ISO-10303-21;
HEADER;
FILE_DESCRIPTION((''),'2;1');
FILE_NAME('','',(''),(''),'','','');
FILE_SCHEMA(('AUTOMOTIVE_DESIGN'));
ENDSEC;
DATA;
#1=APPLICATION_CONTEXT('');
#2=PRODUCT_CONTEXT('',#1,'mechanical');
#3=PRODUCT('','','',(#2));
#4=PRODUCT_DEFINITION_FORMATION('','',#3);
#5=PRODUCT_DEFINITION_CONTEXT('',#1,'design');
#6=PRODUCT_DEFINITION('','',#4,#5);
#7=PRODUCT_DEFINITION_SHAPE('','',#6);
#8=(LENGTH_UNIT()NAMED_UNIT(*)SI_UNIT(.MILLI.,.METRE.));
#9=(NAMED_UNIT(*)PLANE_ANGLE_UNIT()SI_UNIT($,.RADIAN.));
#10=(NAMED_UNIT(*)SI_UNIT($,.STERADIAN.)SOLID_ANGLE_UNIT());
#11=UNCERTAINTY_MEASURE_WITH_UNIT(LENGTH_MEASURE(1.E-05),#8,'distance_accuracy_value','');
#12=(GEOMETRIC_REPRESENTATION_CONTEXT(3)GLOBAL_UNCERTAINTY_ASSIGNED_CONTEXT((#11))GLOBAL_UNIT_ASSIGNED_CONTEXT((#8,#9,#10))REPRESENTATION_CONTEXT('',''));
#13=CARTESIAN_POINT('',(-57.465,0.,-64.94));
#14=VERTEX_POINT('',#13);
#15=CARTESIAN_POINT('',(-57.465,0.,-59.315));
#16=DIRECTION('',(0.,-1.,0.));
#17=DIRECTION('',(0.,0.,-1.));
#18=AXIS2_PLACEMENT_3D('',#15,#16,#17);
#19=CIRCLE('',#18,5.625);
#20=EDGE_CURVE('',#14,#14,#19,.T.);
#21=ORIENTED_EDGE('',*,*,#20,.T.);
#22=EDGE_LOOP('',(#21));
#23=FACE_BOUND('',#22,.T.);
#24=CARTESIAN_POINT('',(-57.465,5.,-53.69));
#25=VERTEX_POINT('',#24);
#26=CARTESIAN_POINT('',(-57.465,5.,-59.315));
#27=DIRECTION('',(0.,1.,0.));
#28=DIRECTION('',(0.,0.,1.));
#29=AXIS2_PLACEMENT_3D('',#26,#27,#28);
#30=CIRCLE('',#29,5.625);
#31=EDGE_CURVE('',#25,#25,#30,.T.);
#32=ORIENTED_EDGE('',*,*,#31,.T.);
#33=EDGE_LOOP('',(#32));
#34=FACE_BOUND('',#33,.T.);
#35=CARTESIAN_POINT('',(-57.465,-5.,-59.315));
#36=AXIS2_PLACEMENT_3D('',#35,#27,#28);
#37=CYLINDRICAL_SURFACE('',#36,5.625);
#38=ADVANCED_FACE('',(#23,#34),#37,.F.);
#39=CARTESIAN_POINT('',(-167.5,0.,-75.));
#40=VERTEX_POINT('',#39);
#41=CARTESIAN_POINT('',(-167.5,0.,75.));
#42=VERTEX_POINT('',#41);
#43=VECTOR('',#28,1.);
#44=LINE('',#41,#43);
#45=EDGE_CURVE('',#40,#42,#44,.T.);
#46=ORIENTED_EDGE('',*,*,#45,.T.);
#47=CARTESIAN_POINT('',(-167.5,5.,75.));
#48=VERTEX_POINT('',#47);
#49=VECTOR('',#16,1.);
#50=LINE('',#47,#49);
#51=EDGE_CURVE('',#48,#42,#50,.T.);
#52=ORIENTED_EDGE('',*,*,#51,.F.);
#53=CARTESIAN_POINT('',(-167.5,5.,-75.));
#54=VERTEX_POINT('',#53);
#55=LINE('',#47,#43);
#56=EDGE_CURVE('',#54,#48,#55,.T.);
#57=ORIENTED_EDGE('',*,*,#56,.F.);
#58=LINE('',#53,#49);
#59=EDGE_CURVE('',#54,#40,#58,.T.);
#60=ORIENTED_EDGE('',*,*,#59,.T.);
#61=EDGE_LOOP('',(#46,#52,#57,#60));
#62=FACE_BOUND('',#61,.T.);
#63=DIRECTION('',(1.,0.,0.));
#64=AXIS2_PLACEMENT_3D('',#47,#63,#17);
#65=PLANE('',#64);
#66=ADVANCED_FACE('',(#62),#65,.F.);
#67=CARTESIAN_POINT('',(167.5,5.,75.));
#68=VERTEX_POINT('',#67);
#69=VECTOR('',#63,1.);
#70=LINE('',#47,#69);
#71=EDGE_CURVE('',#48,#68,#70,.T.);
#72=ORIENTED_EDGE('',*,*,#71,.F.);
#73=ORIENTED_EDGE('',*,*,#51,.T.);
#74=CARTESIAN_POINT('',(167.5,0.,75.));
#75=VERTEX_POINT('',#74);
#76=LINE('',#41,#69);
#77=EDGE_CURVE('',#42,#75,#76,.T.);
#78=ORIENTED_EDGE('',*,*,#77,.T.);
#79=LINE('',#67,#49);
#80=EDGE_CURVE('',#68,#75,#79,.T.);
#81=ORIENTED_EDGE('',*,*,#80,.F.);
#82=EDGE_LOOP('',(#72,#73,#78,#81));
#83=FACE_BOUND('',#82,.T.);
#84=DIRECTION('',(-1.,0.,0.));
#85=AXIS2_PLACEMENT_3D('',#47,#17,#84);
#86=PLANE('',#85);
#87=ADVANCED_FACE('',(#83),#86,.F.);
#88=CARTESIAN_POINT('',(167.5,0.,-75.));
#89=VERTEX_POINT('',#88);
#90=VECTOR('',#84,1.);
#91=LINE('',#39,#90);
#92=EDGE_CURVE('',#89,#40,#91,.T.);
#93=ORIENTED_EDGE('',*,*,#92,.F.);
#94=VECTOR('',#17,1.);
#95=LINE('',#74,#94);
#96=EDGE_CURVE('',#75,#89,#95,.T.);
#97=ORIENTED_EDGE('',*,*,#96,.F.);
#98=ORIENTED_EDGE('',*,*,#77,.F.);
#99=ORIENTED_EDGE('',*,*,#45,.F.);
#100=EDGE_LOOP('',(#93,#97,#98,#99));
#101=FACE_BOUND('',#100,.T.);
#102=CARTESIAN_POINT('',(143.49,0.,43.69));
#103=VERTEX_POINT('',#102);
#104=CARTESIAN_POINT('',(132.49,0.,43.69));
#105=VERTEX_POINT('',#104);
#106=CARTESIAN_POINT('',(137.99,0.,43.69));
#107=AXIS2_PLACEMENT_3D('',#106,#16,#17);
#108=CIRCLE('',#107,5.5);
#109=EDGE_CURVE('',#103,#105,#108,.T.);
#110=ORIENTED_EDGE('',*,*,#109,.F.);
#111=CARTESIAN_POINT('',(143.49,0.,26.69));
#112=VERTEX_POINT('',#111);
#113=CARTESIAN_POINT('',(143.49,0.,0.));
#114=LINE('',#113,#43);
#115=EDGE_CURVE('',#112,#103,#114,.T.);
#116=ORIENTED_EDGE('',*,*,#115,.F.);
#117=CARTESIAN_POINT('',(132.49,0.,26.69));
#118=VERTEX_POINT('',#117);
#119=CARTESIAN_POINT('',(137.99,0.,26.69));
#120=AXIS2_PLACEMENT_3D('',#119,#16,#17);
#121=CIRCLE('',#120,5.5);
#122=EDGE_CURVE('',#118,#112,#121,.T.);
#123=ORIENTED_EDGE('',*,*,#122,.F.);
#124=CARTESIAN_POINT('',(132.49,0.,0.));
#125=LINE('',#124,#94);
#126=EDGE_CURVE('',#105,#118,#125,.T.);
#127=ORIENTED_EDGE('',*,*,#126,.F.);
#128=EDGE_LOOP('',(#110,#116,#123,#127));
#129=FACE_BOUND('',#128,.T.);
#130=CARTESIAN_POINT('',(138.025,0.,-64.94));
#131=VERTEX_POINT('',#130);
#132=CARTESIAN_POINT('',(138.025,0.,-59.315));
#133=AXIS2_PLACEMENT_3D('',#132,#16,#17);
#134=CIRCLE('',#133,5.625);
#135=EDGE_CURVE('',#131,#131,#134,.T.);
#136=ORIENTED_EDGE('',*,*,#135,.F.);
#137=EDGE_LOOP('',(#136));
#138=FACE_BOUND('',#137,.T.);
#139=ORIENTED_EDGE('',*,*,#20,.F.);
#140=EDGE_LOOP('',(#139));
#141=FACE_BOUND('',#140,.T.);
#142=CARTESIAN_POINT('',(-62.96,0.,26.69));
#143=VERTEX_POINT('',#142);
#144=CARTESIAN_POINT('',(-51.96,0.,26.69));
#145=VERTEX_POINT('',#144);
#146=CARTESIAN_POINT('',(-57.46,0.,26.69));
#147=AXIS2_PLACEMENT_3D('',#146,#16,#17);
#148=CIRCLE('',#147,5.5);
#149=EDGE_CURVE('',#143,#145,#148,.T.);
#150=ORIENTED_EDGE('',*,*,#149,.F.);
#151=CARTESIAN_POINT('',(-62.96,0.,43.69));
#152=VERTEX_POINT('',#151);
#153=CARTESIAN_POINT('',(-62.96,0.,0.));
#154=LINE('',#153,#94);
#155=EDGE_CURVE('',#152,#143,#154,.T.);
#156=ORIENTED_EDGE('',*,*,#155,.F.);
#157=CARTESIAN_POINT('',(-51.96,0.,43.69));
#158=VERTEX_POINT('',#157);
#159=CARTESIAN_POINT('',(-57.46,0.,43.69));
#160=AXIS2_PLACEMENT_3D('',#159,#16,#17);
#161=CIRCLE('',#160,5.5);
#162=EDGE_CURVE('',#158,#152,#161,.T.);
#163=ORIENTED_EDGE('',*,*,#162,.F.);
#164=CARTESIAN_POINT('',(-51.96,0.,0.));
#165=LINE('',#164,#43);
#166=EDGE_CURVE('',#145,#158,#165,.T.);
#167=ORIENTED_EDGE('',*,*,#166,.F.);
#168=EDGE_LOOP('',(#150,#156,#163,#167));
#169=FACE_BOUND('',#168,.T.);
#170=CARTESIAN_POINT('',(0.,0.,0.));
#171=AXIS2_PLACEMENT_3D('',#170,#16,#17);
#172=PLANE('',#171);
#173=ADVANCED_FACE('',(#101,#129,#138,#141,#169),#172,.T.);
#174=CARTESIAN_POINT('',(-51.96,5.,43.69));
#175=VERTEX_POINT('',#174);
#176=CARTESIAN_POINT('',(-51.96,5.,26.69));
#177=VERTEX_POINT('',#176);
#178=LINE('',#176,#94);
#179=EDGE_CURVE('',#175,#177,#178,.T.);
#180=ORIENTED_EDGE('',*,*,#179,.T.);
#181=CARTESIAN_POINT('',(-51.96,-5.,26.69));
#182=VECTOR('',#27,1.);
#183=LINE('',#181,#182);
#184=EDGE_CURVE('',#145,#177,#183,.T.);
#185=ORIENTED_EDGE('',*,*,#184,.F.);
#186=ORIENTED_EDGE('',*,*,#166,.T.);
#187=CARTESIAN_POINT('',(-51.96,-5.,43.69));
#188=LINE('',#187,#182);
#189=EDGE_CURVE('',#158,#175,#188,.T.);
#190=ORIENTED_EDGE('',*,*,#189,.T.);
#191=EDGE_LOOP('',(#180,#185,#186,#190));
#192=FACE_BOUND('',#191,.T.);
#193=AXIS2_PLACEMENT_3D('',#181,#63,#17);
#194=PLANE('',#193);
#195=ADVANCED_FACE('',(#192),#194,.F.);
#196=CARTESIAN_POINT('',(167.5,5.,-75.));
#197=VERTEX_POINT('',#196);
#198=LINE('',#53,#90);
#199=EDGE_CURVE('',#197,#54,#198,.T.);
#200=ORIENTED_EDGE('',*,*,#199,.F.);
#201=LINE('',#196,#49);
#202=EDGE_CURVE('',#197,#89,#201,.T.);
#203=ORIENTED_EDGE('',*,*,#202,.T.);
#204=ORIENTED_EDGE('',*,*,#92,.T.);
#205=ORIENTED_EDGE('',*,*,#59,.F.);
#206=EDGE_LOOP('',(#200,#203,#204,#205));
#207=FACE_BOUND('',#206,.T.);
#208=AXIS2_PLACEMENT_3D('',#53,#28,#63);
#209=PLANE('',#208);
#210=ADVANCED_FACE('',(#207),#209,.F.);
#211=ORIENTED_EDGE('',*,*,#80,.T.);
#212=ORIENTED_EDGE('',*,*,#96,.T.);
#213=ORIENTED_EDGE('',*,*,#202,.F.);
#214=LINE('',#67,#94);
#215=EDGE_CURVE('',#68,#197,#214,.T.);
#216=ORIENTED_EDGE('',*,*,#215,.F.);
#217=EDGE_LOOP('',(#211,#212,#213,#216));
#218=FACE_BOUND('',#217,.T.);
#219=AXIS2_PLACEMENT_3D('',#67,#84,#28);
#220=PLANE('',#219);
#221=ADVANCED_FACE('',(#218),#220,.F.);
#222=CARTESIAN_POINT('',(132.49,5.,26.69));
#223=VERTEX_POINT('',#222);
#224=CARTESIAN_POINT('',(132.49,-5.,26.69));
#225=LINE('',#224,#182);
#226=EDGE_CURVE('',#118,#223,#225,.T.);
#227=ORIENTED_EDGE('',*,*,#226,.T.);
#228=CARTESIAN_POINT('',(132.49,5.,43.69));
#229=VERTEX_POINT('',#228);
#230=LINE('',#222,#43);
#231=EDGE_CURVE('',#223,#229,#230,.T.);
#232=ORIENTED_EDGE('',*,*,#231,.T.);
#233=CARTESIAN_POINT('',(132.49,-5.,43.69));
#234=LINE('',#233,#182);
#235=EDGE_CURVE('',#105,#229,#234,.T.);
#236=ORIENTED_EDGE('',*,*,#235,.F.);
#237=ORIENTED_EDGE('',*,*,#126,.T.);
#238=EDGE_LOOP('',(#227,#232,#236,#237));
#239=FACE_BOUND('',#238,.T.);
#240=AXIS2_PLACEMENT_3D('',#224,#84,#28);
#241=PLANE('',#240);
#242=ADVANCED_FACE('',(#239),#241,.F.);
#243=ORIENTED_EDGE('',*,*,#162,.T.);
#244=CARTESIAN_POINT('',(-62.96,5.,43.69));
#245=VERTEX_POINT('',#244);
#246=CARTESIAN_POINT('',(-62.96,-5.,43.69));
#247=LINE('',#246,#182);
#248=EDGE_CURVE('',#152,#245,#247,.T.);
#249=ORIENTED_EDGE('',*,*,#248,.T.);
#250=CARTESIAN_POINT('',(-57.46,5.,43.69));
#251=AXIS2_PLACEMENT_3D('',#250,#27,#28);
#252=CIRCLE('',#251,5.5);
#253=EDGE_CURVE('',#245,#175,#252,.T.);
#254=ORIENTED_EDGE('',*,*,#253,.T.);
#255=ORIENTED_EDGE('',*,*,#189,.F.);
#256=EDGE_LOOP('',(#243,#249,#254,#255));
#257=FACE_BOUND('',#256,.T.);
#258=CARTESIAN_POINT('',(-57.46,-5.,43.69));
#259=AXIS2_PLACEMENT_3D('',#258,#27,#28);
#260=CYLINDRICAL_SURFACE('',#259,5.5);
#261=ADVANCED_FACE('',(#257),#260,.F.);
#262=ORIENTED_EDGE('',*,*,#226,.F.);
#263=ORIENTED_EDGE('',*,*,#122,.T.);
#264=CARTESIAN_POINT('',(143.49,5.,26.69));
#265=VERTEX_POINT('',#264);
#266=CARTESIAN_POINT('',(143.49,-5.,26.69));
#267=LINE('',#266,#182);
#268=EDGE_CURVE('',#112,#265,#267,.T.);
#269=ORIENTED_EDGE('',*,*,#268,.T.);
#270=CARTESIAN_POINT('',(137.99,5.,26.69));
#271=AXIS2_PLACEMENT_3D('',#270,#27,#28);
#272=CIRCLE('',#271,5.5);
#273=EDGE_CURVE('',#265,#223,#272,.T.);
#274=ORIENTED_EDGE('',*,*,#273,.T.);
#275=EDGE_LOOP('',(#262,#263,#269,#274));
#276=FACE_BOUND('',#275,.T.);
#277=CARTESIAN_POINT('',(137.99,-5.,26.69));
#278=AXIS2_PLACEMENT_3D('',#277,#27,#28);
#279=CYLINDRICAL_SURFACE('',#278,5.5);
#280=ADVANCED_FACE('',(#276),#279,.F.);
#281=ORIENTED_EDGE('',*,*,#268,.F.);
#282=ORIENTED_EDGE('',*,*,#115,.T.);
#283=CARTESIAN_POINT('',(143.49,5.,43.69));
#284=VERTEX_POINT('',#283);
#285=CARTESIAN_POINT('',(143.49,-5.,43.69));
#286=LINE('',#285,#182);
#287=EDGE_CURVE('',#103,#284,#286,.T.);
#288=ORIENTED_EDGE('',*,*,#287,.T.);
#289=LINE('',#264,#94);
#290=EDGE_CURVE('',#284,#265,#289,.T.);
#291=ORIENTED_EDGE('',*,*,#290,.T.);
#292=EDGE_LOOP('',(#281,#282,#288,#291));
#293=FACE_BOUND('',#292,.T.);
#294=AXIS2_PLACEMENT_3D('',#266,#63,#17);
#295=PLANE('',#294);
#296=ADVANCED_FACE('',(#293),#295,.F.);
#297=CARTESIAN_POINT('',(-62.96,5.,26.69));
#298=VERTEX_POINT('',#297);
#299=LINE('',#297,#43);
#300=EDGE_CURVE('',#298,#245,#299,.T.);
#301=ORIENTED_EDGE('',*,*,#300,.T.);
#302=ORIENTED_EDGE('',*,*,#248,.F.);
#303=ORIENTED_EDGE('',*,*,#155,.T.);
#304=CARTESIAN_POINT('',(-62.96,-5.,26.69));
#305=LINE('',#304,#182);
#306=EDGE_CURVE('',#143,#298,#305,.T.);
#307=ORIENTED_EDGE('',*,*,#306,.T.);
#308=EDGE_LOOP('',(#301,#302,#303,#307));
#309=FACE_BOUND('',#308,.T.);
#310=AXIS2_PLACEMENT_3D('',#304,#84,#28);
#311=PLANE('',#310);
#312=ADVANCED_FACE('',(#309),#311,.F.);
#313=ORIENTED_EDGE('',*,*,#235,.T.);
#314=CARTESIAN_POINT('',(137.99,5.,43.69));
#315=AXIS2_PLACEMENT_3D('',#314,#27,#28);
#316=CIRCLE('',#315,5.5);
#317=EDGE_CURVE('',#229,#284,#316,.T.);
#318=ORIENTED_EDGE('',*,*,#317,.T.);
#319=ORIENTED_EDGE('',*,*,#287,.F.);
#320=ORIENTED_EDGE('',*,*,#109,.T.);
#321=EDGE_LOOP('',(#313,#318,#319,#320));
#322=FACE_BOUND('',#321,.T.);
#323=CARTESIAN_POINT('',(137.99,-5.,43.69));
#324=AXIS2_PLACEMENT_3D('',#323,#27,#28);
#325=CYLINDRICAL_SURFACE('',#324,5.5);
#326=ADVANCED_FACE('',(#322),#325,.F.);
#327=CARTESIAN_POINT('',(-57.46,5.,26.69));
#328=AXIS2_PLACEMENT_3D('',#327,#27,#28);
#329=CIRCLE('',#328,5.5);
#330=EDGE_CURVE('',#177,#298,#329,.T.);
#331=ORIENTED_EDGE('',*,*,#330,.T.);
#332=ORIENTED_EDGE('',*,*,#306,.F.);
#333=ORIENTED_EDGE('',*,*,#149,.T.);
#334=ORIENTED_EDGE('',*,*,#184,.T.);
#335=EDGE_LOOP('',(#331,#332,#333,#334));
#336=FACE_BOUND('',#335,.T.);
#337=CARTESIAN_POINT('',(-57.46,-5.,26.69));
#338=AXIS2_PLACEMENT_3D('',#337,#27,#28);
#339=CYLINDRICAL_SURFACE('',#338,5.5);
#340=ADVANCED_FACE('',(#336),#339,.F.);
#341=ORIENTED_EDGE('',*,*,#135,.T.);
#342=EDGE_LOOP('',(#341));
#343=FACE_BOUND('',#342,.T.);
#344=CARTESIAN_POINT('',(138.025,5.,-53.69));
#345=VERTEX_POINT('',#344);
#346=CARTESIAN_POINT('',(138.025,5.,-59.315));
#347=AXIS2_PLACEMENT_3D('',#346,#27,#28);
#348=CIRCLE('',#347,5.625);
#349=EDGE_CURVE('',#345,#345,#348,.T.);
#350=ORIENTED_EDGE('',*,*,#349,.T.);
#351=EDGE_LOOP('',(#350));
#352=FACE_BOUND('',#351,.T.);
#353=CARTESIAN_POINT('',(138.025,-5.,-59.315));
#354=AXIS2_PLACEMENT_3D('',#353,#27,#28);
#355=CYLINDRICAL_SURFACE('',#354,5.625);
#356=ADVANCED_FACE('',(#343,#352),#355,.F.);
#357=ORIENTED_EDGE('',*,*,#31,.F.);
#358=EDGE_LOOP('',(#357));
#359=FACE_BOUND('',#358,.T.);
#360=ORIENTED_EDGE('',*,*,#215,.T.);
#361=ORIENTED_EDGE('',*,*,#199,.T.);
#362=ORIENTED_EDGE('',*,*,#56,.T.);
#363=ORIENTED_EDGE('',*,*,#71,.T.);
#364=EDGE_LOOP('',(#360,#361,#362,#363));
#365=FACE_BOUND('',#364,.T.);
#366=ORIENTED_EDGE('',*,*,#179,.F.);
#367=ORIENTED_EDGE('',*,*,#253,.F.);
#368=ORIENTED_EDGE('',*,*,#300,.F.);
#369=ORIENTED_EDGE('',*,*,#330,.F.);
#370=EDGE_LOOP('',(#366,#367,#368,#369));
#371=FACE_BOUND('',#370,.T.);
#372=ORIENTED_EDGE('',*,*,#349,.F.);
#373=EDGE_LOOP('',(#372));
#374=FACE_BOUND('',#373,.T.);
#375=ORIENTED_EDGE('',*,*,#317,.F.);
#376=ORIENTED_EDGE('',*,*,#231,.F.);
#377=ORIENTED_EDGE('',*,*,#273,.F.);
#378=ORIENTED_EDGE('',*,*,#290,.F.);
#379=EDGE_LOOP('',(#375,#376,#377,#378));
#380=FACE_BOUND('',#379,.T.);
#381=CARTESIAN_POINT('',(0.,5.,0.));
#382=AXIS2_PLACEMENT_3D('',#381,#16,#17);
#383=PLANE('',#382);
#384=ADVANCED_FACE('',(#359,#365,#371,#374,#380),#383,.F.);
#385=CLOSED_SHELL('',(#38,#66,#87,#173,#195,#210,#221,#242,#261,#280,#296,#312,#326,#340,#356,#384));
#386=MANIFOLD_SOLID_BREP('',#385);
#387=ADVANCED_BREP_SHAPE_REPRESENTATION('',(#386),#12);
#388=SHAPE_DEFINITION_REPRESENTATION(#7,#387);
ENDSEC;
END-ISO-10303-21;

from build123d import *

# Parameters (mm, degrees)
SKETCH1_W           = 335
SKETCH1_H           = 150
BOSS_EXTRUDE1_DEPTH = 5
SKETCH2_R           = 5.625
CUT_EXTRUDE1_DEPTH  = 10


with BuildPart() as part:
    # Sketch1 → Boss-Extrude1 (new body)
    with BuildSketch(Plane(origin=(0, 0, 0), x_dir=(1, 0, 0), z_dir=(0, 1, 0))):
        Rectangle(SKETCH1_W, SKETCH1_H)
    extrude(amount=BOSS_EXTRUDE1_DEPTH)

    # Sketch2 → Cut-Extrude1 (cut)
    with BuildSketch(Plane(origin=(0, 5, 0), x_dir=(1, 0, 0), z_dir=(0, 1, 0))):
        with Locations(Location((138.025, 59.315, 0), (0, 0, 270))):
            Circle(SKETCH2_R)
        with Locations(Location((-57.465, 59.315, 0), (0, 0, 270))):
            Circle(SKETCH2_R)
        with BuildLine():
            Line((143.49, -26.69), (143.49, -43.69))
            ThreePointArc((143.49, -43.69), (137.99, -49.19), (132.49, -43.69))
            Line((132.49, -43.69), (132.49, -26.69))
            ThreePointArc((132.49, -26.69), (137.99, -21.19), (143.49, -26.69))
        make_face()
        with BuildLine():
            Line((-51.96, -26.69), (-51.96, -43.69))
            ThreePointArc((-51.96, -43.69), (-57.46, -49.19), (-62.96, -43.69))
            Line((-62.96, -43.69), (-62.96, -26.69))
            ThreePointArc((-62.96, -26.69), (-57.46, -21.19), (-51.96, -26.69))
        make_face()
    extrude(amount=-CUT_EXTRUDE1_DEPTH, mode=Mode.SUBTRACT)


solid = part.part
